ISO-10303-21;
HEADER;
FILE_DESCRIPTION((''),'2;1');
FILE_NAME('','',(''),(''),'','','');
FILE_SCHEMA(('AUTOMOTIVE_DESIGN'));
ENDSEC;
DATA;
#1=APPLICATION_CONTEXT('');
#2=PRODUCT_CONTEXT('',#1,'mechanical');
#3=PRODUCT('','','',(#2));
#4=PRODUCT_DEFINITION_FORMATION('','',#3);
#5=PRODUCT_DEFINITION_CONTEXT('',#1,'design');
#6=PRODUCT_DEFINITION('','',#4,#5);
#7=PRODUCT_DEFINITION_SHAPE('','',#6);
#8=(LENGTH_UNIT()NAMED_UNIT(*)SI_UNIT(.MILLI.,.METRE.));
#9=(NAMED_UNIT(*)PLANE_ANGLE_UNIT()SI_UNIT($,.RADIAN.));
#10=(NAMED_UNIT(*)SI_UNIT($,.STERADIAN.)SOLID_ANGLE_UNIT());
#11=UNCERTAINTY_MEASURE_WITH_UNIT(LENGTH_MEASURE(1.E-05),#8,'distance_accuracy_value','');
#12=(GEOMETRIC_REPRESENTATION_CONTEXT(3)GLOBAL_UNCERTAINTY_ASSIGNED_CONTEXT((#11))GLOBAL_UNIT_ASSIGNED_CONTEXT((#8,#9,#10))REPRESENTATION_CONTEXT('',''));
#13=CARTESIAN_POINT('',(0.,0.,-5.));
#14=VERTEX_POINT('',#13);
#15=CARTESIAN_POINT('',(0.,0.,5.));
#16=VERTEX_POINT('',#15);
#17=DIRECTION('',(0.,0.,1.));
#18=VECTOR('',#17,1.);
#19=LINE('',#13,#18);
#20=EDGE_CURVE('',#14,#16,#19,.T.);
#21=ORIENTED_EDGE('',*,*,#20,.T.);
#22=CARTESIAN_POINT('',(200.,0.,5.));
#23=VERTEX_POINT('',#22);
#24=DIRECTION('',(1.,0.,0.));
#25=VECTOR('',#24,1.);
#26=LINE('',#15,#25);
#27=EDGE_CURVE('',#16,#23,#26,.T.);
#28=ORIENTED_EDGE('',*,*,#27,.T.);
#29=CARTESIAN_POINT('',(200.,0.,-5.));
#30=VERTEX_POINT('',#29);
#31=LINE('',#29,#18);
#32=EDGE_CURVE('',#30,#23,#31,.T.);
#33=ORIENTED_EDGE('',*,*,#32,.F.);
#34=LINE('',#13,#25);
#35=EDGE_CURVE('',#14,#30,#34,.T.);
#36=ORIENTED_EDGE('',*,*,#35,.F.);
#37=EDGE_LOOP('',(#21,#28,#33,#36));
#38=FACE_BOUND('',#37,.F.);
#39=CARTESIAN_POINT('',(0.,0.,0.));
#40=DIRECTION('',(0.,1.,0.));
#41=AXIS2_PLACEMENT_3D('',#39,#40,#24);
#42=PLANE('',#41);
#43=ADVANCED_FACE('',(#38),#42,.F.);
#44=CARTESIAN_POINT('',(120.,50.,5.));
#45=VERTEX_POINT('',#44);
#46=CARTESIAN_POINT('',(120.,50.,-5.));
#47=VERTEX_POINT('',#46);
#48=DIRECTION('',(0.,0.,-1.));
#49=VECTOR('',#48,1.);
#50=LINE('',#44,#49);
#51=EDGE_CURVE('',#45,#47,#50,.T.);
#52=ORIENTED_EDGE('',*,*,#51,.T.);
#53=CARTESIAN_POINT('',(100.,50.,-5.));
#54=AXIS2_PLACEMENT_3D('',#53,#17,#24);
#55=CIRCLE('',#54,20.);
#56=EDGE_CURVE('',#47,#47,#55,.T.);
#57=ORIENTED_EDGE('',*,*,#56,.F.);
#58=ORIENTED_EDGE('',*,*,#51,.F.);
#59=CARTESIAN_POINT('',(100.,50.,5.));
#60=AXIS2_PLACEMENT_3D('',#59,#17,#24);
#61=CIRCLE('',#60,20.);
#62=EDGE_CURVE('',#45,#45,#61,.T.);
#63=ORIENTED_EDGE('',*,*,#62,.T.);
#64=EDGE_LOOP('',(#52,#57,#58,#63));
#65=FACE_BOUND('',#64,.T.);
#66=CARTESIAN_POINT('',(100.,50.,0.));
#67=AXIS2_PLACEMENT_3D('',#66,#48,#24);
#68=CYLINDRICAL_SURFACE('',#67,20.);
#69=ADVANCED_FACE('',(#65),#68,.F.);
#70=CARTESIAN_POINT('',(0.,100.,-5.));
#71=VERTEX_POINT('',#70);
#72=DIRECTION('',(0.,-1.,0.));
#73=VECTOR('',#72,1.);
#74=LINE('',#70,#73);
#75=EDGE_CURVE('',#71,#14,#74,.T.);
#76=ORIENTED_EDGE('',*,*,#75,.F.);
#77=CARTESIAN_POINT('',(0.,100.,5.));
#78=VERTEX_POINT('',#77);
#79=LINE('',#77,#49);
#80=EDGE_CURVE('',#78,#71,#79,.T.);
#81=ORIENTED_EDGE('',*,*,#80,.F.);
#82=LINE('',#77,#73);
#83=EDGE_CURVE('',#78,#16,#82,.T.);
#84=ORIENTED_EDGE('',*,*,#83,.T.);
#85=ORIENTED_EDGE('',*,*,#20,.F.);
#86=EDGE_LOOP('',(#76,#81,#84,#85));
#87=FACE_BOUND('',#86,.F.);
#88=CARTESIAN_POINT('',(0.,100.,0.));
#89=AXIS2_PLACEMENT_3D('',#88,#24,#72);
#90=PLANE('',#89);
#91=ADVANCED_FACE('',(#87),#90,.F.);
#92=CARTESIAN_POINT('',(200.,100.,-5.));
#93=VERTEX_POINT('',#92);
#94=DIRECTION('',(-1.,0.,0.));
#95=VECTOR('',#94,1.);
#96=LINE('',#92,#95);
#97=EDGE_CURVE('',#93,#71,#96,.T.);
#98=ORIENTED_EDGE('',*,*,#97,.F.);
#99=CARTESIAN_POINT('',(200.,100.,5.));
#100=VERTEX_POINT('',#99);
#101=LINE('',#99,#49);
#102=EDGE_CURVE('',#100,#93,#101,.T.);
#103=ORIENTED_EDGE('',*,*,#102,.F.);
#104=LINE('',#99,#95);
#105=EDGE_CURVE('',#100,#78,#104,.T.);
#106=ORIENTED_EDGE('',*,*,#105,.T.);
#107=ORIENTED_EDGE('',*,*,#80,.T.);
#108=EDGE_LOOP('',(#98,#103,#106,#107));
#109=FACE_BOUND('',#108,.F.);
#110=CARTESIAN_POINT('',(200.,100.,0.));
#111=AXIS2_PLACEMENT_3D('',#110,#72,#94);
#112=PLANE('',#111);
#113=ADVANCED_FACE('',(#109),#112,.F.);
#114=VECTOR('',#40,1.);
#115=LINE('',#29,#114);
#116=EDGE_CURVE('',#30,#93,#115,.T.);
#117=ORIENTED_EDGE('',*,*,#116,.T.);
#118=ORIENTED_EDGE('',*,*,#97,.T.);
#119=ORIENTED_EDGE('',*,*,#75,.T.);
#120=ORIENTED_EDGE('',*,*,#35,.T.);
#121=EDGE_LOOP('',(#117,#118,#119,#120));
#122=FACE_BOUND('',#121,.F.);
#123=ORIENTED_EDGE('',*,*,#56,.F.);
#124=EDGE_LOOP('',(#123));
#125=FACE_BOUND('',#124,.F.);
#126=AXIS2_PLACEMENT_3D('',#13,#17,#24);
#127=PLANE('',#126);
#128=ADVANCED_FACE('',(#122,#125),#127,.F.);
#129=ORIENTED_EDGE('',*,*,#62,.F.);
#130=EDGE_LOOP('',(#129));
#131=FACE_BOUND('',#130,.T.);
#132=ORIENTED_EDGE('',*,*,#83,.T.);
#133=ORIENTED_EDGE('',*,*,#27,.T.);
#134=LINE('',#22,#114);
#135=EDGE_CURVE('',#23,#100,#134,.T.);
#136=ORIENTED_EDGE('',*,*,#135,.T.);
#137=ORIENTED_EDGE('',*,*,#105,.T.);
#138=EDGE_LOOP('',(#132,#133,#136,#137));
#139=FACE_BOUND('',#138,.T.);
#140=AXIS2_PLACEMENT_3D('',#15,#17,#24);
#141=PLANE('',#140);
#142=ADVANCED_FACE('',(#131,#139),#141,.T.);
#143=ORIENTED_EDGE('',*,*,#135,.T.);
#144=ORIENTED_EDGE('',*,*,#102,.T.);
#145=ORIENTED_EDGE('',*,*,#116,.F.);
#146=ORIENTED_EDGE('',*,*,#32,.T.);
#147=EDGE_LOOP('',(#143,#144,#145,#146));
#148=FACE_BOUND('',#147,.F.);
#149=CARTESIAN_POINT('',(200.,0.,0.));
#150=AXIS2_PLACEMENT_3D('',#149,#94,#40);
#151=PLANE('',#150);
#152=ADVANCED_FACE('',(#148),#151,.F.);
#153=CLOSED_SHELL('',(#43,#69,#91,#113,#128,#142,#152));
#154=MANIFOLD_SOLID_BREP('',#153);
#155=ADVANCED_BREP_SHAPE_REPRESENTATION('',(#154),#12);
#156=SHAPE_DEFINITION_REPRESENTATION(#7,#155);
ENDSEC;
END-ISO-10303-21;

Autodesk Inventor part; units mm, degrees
ref_plane "YZ Plane" through (0, 0, 0) normal (1, 0, 0) x (0, 1, 0)
ref_plane "XZ Plane" through (0, 0, 0) normal (0, 1, 0) x (-1, 0, 0)
ref_plane "XY Plane" through (0, 0, 0) normal (0, 0, 1) x (1, 0, 0)
sketch "Sketch1" plane through (0, 0, 0) normal (0, 0, 1) x (1, 0, 0)
  line L0 (0, 0) -> (200, 0)
  line L1 (200, 0) -> (200, 100)
  line L2 (200, 100) -> (0, 100)
  line L3 (0, 100) -> (0, 0)
  circle A0 centre (100, 50) radius 20
  point P0 (100, 100)
  point P1 (0, 50)
  dimension "d0" = 200
  dimension "d1" = 100
  dimension "d2" = 40
extrude "Extrusion1" add sketch "Sketch1" along normal mid plane 10
properties part number "CE-10.1.1" material "Steel, Carbon"
